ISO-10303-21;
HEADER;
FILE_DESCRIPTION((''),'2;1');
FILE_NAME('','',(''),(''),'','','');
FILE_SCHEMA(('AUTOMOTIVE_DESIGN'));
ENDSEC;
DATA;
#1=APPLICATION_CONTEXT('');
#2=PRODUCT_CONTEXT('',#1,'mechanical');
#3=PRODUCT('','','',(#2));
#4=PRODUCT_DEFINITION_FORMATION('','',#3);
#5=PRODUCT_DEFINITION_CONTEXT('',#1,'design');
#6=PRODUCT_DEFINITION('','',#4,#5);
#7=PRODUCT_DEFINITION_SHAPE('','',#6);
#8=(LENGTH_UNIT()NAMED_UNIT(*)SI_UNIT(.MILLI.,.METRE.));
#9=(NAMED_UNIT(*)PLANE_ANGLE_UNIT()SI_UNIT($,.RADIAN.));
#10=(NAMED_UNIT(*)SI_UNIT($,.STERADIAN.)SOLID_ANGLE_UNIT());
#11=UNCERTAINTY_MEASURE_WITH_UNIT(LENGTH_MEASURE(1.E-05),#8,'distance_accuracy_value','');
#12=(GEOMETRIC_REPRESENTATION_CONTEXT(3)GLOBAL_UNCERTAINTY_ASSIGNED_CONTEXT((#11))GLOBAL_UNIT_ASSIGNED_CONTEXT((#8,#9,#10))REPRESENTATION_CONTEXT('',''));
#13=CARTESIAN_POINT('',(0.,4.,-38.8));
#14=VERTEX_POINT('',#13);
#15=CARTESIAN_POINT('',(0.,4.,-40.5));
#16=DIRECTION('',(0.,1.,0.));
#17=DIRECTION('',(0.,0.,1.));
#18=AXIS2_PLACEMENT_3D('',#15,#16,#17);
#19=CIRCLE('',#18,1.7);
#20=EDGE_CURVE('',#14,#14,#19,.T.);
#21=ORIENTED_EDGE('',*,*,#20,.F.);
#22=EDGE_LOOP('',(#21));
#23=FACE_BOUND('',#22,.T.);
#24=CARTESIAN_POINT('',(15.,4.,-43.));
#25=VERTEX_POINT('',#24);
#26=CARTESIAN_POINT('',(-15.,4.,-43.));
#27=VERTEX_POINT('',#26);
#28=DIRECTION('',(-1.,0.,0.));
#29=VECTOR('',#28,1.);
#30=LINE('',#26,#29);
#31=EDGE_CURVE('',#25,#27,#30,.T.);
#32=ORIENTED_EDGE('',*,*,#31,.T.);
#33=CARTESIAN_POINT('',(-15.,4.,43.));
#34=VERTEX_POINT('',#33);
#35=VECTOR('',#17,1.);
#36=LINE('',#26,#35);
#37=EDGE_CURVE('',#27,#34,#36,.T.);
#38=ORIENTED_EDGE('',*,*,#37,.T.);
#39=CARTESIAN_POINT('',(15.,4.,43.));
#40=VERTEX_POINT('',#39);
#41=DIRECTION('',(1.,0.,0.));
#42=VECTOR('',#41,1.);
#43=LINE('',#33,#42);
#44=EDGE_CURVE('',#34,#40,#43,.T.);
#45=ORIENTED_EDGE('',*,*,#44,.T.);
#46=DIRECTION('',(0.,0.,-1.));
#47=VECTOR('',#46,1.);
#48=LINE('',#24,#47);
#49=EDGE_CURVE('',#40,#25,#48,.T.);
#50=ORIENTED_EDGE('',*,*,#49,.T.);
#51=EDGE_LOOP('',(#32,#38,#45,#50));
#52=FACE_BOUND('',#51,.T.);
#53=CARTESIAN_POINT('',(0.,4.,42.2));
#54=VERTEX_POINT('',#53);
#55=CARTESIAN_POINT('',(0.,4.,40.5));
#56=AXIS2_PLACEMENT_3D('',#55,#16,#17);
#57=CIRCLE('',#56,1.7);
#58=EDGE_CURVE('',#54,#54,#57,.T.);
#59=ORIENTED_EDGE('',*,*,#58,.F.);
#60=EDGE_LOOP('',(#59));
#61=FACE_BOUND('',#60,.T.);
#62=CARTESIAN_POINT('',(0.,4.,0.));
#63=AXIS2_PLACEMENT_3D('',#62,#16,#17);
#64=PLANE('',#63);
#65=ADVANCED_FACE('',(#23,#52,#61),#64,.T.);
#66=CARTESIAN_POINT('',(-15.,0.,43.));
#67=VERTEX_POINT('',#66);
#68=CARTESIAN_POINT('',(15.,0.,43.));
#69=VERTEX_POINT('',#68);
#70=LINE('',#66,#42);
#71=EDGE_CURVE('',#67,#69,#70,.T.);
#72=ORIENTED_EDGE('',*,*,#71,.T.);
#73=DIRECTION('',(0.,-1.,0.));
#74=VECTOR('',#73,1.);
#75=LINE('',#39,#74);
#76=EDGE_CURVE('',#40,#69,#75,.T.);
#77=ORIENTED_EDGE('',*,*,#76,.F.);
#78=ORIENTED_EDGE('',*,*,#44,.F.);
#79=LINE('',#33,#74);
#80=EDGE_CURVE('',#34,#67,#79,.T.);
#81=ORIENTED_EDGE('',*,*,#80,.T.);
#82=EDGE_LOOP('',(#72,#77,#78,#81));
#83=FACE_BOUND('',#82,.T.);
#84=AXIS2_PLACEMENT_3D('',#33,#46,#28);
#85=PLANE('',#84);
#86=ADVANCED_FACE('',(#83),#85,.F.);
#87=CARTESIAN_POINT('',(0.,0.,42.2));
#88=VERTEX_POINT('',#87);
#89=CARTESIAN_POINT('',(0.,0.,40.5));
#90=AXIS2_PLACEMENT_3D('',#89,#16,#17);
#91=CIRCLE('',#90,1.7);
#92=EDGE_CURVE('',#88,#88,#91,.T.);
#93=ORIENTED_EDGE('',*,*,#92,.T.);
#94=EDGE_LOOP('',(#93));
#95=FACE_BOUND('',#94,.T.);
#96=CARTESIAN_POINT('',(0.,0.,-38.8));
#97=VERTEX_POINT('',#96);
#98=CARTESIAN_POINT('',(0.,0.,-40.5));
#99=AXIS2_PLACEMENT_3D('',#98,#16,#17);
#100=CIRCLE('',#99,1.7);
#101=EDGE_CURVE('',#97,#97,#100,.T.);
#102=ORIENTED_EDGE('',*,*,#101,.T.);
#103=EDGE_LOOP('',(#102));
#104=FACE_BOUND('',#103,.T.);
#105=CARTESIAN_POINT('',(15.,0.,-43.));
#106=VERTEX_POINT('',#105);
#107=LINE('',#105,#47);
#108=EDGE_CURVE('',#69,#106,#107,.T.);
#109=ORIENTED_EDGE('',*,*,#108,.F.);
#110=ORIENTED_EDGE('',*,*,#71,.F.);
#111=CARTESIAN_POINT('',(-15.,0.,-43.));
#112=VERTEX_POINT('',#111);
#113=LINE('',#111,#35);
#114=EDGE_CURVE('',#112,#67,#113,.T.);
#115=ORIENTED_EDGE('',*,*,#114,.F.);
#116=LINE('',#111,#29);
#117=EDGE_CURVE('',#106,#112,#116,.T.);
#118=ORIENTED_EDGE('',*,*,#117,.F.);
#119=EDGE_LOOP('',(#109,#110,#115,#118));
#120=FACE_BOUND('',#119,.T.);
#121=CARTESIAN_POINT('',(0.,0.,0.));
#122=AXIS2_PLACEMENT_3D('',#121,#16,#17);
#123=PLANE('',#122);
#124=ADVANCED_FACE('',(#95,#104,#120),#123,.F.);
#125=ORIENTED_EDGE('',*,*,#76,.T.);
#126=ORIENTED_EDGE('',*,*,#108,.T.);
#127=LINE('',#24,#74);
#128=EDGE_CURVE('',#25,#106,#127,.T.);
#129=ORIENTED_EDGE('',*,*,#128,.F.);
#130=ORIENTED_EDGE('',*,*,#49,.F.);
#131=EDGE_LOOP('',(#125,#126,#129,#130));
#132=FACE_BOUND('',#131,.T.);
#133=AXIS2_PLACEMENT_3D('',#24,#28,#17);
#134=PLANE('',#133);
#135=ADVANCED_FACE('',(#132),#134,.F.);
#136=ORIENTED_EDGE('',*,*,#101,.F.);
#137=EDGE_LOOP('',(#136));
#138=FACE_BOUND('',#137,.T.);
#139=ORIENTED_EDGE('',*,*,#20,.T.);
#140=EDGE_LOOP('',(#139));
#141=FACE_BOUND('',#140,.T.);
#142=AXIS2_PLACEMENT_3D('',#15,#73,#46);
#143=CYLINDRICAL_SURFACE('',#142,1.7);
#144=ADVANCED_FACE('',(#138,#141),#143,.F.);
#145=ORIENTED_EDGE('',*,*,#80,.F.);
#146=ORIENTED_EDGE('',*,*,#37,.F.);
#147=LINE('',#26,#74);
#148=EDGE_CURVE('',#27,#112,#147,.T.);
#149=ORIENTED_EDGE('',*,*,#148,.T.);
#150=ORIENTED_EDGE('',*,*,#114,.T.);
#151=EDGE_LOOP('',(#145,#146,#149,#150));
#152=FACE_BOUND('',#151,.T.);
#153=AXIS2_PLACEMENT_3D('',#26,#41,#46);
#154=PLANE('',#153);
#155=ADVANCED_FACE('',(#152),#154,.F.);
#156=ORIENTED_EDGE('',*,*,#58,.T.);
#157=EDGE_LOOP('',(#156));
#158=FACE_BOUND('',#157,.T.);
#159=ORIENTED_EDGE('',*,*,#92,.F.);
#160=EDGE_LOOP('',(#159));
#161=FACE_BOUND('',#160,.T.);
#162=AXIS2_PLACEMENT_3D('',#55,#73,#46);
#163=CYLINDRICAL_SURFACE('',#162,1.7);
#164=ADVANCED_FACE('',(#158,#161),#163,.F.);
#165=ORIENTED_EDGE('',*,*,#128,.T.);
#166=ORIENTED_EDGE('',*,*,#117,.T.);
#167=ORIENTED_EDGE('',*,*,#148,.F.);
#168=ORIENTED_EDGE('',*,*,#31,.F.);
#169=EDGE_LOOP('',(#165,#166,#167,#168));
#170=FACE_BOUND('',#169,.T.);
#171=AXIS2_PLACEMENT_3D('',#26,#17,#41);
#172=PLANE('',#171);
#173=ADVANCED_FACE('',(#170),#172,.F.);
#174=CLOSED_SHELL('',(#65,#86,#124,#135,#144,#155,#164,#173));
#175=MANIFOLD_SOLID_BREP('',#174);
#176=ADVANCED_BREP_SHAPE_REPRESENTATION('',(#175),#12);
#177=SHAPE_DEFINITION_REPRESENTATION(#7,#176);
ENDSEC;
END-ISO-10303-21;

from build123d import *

# Parameters (mm, degrees)
SKETCH_1_W      = 30
SKETCH_1_H      = 86
SKETCH_1_R      = 1.7
EXTRUDE_1_DEPTH = 4


with BuildPart() as part:
    # 草图1 → 凸台-拉伸1 (new body)
    with BuildSketch(Plane(origin=(0, 0, 0), x_dir=(1, 0, 0), z_dir=(0, 1, 0))):
        Rectangle(SKETCH_1_W, SKETCH_1_H)
        with Locations((0, 40.5)):
            Circle(SKETCH_1_R, mode=Mode.SUBTRACT)
        with Locations((0, -40.5)):
            Circle(SKETCH_1_R, mode=Mode.SUBTRACT)
    extrude(amount=EXTRUDE_1_DEPTH)


solid = part.part
